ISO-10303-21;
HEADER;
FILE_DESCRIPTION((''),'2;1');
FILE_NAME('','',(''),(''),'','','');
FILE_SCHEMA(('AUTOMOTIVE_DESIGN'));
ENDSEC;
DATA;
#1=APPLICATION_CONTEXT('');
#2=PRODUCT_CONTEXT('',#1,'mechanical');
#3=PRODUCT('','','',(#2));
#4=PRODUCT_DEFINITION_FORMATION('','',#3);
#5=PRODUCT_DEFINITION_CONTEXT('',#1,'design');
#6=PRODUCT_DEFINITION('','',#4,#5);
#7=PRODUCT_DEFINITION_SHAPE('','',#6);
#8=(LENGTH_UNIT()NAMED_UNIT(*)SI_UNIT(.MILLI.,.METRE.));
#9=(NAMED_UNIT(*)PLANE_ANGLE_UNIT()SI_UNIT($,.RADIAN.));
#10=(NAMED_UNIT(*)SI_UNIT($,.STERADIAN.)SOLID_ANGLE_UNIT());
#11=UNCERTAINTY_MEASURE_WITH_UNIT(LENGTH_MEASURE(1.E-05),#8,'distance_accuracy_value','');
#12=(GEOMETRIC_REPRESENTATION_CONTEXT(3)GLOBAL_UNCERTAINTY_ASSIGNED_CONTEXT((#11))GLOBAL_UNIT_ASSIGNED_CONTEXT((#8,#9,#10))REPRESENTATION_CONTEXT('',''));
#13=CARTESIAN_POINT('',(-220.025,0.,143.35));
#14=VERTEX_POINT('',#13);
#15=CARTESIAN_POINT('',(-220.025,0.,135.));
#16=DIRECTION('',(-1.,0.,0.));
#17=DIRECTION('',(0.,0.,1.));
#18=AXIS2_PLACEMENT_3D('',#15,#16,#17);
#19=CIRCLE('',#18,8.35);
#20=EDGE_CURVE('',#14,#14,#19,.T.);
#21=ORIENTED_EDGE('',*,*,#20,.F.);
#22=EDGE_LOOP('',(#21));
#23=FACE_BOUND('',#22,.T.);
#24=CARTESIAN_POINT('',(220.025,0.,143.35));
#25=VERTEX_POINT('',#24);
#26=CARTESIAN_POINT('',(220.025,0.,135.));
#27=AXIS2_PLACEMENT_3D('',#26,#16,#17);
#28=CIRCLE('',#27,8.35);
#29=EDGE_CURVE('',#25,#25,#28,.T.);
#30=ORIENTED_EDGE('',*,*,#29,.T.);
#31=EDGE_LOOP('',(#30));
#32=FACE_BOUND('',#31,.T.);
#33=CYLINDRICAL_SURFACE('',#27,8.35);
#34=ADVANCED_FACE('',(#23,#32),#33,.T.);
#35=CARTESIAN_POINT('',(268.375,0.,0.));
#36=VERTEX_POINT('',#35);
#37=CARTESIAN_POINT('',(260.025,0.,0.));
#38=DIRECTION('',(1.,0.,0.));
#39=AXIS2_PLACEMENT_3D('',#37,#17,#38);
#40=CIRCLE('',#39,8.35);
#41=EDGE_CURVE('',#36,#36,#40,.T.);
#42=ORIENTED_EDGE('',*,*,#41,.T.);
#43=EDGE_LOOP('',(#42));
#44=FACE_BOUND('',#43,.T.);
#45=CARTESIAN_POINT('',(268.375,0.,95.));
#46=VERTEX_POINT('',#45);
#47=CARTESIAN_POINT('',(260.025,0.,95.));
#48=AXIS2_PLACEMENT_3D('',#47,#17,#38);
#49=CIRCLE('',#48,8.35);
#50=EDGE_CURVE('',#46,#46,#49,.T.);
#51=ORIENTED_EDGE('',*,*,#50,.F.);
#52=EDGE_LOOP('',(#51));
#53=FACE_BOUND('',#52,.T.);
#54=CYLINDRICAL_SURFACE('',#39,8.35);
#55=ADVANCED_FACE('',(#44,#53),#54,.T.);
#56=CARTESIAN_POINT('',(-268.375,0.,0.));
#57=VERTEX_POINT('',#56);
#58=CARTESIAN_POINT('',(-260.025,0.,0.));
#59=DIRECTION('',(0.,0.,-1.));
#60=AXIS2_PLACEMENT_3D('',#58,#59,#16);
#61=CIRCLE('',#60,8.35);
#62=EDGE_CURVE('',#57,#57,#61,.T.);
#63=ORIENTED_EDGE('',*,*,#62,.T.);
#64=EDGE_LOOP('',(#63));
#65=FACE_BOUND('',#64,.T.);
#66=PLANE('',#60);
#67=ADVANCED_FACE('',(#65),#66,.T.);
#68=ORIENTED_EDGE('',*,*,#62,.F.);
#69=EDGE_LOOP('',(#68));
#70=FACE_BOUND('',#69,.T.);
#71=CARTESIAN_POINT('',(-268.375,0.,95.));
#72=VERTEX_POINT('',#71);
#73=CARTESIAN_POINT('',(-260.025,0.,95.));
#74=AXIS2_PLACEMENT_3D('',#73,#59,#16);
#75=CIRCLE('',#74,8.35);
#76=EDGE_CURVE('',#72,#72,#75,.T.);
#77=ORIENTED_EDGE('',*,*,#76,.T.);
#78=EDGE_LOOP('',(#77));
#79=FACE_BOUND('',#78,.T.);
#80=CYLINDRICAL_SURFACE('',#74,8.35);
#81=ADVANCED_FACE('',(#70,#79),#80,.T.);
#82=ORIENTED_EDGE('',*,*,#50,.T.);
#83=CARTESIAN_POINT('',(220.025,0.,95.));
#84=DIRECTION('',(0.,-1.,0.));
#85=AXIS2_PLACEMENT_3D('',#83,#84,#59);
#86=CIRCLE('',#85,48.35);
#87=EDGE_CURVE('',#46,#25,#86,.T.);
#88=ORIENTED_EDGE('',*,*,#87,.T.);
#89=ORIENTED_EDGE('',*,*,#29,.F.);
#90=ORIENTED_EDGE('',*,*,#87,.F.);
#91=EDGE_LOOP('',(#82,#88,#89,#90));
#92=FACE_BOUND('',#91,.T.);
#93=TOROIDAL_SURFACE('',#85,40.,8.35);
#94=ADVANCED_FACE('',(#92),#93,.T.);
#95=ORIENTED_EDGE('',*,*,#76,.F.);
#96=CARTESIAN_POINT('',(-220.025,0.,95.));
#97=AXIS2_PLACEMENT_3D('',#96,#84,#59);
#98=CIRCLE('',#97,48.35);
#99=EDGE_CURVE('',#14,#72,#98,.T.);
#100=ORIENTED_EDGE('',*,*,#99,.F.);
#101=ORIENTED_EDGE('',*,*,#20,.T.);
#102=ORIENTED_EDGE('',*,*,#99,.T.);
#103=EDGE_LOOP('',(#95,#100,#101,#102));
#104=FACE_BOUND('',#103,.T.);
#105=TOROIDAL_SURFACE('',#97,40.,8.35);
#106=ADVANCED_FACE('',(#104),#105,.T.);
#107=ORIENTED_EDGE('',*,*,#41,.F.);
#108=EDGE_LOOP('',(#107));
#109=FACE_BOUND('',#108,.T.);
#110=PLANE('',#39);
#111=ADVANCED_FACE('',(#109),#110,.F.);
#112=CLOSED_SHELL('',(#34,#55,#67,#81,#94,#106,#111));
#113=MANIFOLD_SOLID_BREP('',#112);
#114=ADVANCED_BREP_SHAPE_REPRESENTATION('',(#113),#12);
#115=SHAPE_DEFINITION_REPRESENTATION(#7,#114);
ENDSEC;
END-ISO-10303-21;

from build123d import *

# Parameters (mm, degrees)
SKETCH2_R = 8.35


with BuildPart() as part:
    # Sweep1: sweep along a path in Sketch1
    with BuildLine(Plane(origin=(0, 0, 0), x_dir=(1, 0, 0), z_dir=(0, 1, 0))) as sweep1_path:
        Line((-260.025, 0), (-260.025, -95))
        ThreePointArc((-260.025, -95), (-248.309271247, -123.284271247), (-220.025, -135))
        Line((-220.025, -135), (220.025, -135))
        ThreePointArc((220.025, -135), (248.309271247, -123.284271247), (260.025, -95))
        Line((260.025, -95), (260.025, 0))
    # Sketch2 → Sweep1 (sweep)
    with BuildSketch(Plane.XY):
        with Locations((260.025, 0)):
            Circle(SKETCH2_R)
    sweep(path=sweep1_path.line)


solid = part.part
